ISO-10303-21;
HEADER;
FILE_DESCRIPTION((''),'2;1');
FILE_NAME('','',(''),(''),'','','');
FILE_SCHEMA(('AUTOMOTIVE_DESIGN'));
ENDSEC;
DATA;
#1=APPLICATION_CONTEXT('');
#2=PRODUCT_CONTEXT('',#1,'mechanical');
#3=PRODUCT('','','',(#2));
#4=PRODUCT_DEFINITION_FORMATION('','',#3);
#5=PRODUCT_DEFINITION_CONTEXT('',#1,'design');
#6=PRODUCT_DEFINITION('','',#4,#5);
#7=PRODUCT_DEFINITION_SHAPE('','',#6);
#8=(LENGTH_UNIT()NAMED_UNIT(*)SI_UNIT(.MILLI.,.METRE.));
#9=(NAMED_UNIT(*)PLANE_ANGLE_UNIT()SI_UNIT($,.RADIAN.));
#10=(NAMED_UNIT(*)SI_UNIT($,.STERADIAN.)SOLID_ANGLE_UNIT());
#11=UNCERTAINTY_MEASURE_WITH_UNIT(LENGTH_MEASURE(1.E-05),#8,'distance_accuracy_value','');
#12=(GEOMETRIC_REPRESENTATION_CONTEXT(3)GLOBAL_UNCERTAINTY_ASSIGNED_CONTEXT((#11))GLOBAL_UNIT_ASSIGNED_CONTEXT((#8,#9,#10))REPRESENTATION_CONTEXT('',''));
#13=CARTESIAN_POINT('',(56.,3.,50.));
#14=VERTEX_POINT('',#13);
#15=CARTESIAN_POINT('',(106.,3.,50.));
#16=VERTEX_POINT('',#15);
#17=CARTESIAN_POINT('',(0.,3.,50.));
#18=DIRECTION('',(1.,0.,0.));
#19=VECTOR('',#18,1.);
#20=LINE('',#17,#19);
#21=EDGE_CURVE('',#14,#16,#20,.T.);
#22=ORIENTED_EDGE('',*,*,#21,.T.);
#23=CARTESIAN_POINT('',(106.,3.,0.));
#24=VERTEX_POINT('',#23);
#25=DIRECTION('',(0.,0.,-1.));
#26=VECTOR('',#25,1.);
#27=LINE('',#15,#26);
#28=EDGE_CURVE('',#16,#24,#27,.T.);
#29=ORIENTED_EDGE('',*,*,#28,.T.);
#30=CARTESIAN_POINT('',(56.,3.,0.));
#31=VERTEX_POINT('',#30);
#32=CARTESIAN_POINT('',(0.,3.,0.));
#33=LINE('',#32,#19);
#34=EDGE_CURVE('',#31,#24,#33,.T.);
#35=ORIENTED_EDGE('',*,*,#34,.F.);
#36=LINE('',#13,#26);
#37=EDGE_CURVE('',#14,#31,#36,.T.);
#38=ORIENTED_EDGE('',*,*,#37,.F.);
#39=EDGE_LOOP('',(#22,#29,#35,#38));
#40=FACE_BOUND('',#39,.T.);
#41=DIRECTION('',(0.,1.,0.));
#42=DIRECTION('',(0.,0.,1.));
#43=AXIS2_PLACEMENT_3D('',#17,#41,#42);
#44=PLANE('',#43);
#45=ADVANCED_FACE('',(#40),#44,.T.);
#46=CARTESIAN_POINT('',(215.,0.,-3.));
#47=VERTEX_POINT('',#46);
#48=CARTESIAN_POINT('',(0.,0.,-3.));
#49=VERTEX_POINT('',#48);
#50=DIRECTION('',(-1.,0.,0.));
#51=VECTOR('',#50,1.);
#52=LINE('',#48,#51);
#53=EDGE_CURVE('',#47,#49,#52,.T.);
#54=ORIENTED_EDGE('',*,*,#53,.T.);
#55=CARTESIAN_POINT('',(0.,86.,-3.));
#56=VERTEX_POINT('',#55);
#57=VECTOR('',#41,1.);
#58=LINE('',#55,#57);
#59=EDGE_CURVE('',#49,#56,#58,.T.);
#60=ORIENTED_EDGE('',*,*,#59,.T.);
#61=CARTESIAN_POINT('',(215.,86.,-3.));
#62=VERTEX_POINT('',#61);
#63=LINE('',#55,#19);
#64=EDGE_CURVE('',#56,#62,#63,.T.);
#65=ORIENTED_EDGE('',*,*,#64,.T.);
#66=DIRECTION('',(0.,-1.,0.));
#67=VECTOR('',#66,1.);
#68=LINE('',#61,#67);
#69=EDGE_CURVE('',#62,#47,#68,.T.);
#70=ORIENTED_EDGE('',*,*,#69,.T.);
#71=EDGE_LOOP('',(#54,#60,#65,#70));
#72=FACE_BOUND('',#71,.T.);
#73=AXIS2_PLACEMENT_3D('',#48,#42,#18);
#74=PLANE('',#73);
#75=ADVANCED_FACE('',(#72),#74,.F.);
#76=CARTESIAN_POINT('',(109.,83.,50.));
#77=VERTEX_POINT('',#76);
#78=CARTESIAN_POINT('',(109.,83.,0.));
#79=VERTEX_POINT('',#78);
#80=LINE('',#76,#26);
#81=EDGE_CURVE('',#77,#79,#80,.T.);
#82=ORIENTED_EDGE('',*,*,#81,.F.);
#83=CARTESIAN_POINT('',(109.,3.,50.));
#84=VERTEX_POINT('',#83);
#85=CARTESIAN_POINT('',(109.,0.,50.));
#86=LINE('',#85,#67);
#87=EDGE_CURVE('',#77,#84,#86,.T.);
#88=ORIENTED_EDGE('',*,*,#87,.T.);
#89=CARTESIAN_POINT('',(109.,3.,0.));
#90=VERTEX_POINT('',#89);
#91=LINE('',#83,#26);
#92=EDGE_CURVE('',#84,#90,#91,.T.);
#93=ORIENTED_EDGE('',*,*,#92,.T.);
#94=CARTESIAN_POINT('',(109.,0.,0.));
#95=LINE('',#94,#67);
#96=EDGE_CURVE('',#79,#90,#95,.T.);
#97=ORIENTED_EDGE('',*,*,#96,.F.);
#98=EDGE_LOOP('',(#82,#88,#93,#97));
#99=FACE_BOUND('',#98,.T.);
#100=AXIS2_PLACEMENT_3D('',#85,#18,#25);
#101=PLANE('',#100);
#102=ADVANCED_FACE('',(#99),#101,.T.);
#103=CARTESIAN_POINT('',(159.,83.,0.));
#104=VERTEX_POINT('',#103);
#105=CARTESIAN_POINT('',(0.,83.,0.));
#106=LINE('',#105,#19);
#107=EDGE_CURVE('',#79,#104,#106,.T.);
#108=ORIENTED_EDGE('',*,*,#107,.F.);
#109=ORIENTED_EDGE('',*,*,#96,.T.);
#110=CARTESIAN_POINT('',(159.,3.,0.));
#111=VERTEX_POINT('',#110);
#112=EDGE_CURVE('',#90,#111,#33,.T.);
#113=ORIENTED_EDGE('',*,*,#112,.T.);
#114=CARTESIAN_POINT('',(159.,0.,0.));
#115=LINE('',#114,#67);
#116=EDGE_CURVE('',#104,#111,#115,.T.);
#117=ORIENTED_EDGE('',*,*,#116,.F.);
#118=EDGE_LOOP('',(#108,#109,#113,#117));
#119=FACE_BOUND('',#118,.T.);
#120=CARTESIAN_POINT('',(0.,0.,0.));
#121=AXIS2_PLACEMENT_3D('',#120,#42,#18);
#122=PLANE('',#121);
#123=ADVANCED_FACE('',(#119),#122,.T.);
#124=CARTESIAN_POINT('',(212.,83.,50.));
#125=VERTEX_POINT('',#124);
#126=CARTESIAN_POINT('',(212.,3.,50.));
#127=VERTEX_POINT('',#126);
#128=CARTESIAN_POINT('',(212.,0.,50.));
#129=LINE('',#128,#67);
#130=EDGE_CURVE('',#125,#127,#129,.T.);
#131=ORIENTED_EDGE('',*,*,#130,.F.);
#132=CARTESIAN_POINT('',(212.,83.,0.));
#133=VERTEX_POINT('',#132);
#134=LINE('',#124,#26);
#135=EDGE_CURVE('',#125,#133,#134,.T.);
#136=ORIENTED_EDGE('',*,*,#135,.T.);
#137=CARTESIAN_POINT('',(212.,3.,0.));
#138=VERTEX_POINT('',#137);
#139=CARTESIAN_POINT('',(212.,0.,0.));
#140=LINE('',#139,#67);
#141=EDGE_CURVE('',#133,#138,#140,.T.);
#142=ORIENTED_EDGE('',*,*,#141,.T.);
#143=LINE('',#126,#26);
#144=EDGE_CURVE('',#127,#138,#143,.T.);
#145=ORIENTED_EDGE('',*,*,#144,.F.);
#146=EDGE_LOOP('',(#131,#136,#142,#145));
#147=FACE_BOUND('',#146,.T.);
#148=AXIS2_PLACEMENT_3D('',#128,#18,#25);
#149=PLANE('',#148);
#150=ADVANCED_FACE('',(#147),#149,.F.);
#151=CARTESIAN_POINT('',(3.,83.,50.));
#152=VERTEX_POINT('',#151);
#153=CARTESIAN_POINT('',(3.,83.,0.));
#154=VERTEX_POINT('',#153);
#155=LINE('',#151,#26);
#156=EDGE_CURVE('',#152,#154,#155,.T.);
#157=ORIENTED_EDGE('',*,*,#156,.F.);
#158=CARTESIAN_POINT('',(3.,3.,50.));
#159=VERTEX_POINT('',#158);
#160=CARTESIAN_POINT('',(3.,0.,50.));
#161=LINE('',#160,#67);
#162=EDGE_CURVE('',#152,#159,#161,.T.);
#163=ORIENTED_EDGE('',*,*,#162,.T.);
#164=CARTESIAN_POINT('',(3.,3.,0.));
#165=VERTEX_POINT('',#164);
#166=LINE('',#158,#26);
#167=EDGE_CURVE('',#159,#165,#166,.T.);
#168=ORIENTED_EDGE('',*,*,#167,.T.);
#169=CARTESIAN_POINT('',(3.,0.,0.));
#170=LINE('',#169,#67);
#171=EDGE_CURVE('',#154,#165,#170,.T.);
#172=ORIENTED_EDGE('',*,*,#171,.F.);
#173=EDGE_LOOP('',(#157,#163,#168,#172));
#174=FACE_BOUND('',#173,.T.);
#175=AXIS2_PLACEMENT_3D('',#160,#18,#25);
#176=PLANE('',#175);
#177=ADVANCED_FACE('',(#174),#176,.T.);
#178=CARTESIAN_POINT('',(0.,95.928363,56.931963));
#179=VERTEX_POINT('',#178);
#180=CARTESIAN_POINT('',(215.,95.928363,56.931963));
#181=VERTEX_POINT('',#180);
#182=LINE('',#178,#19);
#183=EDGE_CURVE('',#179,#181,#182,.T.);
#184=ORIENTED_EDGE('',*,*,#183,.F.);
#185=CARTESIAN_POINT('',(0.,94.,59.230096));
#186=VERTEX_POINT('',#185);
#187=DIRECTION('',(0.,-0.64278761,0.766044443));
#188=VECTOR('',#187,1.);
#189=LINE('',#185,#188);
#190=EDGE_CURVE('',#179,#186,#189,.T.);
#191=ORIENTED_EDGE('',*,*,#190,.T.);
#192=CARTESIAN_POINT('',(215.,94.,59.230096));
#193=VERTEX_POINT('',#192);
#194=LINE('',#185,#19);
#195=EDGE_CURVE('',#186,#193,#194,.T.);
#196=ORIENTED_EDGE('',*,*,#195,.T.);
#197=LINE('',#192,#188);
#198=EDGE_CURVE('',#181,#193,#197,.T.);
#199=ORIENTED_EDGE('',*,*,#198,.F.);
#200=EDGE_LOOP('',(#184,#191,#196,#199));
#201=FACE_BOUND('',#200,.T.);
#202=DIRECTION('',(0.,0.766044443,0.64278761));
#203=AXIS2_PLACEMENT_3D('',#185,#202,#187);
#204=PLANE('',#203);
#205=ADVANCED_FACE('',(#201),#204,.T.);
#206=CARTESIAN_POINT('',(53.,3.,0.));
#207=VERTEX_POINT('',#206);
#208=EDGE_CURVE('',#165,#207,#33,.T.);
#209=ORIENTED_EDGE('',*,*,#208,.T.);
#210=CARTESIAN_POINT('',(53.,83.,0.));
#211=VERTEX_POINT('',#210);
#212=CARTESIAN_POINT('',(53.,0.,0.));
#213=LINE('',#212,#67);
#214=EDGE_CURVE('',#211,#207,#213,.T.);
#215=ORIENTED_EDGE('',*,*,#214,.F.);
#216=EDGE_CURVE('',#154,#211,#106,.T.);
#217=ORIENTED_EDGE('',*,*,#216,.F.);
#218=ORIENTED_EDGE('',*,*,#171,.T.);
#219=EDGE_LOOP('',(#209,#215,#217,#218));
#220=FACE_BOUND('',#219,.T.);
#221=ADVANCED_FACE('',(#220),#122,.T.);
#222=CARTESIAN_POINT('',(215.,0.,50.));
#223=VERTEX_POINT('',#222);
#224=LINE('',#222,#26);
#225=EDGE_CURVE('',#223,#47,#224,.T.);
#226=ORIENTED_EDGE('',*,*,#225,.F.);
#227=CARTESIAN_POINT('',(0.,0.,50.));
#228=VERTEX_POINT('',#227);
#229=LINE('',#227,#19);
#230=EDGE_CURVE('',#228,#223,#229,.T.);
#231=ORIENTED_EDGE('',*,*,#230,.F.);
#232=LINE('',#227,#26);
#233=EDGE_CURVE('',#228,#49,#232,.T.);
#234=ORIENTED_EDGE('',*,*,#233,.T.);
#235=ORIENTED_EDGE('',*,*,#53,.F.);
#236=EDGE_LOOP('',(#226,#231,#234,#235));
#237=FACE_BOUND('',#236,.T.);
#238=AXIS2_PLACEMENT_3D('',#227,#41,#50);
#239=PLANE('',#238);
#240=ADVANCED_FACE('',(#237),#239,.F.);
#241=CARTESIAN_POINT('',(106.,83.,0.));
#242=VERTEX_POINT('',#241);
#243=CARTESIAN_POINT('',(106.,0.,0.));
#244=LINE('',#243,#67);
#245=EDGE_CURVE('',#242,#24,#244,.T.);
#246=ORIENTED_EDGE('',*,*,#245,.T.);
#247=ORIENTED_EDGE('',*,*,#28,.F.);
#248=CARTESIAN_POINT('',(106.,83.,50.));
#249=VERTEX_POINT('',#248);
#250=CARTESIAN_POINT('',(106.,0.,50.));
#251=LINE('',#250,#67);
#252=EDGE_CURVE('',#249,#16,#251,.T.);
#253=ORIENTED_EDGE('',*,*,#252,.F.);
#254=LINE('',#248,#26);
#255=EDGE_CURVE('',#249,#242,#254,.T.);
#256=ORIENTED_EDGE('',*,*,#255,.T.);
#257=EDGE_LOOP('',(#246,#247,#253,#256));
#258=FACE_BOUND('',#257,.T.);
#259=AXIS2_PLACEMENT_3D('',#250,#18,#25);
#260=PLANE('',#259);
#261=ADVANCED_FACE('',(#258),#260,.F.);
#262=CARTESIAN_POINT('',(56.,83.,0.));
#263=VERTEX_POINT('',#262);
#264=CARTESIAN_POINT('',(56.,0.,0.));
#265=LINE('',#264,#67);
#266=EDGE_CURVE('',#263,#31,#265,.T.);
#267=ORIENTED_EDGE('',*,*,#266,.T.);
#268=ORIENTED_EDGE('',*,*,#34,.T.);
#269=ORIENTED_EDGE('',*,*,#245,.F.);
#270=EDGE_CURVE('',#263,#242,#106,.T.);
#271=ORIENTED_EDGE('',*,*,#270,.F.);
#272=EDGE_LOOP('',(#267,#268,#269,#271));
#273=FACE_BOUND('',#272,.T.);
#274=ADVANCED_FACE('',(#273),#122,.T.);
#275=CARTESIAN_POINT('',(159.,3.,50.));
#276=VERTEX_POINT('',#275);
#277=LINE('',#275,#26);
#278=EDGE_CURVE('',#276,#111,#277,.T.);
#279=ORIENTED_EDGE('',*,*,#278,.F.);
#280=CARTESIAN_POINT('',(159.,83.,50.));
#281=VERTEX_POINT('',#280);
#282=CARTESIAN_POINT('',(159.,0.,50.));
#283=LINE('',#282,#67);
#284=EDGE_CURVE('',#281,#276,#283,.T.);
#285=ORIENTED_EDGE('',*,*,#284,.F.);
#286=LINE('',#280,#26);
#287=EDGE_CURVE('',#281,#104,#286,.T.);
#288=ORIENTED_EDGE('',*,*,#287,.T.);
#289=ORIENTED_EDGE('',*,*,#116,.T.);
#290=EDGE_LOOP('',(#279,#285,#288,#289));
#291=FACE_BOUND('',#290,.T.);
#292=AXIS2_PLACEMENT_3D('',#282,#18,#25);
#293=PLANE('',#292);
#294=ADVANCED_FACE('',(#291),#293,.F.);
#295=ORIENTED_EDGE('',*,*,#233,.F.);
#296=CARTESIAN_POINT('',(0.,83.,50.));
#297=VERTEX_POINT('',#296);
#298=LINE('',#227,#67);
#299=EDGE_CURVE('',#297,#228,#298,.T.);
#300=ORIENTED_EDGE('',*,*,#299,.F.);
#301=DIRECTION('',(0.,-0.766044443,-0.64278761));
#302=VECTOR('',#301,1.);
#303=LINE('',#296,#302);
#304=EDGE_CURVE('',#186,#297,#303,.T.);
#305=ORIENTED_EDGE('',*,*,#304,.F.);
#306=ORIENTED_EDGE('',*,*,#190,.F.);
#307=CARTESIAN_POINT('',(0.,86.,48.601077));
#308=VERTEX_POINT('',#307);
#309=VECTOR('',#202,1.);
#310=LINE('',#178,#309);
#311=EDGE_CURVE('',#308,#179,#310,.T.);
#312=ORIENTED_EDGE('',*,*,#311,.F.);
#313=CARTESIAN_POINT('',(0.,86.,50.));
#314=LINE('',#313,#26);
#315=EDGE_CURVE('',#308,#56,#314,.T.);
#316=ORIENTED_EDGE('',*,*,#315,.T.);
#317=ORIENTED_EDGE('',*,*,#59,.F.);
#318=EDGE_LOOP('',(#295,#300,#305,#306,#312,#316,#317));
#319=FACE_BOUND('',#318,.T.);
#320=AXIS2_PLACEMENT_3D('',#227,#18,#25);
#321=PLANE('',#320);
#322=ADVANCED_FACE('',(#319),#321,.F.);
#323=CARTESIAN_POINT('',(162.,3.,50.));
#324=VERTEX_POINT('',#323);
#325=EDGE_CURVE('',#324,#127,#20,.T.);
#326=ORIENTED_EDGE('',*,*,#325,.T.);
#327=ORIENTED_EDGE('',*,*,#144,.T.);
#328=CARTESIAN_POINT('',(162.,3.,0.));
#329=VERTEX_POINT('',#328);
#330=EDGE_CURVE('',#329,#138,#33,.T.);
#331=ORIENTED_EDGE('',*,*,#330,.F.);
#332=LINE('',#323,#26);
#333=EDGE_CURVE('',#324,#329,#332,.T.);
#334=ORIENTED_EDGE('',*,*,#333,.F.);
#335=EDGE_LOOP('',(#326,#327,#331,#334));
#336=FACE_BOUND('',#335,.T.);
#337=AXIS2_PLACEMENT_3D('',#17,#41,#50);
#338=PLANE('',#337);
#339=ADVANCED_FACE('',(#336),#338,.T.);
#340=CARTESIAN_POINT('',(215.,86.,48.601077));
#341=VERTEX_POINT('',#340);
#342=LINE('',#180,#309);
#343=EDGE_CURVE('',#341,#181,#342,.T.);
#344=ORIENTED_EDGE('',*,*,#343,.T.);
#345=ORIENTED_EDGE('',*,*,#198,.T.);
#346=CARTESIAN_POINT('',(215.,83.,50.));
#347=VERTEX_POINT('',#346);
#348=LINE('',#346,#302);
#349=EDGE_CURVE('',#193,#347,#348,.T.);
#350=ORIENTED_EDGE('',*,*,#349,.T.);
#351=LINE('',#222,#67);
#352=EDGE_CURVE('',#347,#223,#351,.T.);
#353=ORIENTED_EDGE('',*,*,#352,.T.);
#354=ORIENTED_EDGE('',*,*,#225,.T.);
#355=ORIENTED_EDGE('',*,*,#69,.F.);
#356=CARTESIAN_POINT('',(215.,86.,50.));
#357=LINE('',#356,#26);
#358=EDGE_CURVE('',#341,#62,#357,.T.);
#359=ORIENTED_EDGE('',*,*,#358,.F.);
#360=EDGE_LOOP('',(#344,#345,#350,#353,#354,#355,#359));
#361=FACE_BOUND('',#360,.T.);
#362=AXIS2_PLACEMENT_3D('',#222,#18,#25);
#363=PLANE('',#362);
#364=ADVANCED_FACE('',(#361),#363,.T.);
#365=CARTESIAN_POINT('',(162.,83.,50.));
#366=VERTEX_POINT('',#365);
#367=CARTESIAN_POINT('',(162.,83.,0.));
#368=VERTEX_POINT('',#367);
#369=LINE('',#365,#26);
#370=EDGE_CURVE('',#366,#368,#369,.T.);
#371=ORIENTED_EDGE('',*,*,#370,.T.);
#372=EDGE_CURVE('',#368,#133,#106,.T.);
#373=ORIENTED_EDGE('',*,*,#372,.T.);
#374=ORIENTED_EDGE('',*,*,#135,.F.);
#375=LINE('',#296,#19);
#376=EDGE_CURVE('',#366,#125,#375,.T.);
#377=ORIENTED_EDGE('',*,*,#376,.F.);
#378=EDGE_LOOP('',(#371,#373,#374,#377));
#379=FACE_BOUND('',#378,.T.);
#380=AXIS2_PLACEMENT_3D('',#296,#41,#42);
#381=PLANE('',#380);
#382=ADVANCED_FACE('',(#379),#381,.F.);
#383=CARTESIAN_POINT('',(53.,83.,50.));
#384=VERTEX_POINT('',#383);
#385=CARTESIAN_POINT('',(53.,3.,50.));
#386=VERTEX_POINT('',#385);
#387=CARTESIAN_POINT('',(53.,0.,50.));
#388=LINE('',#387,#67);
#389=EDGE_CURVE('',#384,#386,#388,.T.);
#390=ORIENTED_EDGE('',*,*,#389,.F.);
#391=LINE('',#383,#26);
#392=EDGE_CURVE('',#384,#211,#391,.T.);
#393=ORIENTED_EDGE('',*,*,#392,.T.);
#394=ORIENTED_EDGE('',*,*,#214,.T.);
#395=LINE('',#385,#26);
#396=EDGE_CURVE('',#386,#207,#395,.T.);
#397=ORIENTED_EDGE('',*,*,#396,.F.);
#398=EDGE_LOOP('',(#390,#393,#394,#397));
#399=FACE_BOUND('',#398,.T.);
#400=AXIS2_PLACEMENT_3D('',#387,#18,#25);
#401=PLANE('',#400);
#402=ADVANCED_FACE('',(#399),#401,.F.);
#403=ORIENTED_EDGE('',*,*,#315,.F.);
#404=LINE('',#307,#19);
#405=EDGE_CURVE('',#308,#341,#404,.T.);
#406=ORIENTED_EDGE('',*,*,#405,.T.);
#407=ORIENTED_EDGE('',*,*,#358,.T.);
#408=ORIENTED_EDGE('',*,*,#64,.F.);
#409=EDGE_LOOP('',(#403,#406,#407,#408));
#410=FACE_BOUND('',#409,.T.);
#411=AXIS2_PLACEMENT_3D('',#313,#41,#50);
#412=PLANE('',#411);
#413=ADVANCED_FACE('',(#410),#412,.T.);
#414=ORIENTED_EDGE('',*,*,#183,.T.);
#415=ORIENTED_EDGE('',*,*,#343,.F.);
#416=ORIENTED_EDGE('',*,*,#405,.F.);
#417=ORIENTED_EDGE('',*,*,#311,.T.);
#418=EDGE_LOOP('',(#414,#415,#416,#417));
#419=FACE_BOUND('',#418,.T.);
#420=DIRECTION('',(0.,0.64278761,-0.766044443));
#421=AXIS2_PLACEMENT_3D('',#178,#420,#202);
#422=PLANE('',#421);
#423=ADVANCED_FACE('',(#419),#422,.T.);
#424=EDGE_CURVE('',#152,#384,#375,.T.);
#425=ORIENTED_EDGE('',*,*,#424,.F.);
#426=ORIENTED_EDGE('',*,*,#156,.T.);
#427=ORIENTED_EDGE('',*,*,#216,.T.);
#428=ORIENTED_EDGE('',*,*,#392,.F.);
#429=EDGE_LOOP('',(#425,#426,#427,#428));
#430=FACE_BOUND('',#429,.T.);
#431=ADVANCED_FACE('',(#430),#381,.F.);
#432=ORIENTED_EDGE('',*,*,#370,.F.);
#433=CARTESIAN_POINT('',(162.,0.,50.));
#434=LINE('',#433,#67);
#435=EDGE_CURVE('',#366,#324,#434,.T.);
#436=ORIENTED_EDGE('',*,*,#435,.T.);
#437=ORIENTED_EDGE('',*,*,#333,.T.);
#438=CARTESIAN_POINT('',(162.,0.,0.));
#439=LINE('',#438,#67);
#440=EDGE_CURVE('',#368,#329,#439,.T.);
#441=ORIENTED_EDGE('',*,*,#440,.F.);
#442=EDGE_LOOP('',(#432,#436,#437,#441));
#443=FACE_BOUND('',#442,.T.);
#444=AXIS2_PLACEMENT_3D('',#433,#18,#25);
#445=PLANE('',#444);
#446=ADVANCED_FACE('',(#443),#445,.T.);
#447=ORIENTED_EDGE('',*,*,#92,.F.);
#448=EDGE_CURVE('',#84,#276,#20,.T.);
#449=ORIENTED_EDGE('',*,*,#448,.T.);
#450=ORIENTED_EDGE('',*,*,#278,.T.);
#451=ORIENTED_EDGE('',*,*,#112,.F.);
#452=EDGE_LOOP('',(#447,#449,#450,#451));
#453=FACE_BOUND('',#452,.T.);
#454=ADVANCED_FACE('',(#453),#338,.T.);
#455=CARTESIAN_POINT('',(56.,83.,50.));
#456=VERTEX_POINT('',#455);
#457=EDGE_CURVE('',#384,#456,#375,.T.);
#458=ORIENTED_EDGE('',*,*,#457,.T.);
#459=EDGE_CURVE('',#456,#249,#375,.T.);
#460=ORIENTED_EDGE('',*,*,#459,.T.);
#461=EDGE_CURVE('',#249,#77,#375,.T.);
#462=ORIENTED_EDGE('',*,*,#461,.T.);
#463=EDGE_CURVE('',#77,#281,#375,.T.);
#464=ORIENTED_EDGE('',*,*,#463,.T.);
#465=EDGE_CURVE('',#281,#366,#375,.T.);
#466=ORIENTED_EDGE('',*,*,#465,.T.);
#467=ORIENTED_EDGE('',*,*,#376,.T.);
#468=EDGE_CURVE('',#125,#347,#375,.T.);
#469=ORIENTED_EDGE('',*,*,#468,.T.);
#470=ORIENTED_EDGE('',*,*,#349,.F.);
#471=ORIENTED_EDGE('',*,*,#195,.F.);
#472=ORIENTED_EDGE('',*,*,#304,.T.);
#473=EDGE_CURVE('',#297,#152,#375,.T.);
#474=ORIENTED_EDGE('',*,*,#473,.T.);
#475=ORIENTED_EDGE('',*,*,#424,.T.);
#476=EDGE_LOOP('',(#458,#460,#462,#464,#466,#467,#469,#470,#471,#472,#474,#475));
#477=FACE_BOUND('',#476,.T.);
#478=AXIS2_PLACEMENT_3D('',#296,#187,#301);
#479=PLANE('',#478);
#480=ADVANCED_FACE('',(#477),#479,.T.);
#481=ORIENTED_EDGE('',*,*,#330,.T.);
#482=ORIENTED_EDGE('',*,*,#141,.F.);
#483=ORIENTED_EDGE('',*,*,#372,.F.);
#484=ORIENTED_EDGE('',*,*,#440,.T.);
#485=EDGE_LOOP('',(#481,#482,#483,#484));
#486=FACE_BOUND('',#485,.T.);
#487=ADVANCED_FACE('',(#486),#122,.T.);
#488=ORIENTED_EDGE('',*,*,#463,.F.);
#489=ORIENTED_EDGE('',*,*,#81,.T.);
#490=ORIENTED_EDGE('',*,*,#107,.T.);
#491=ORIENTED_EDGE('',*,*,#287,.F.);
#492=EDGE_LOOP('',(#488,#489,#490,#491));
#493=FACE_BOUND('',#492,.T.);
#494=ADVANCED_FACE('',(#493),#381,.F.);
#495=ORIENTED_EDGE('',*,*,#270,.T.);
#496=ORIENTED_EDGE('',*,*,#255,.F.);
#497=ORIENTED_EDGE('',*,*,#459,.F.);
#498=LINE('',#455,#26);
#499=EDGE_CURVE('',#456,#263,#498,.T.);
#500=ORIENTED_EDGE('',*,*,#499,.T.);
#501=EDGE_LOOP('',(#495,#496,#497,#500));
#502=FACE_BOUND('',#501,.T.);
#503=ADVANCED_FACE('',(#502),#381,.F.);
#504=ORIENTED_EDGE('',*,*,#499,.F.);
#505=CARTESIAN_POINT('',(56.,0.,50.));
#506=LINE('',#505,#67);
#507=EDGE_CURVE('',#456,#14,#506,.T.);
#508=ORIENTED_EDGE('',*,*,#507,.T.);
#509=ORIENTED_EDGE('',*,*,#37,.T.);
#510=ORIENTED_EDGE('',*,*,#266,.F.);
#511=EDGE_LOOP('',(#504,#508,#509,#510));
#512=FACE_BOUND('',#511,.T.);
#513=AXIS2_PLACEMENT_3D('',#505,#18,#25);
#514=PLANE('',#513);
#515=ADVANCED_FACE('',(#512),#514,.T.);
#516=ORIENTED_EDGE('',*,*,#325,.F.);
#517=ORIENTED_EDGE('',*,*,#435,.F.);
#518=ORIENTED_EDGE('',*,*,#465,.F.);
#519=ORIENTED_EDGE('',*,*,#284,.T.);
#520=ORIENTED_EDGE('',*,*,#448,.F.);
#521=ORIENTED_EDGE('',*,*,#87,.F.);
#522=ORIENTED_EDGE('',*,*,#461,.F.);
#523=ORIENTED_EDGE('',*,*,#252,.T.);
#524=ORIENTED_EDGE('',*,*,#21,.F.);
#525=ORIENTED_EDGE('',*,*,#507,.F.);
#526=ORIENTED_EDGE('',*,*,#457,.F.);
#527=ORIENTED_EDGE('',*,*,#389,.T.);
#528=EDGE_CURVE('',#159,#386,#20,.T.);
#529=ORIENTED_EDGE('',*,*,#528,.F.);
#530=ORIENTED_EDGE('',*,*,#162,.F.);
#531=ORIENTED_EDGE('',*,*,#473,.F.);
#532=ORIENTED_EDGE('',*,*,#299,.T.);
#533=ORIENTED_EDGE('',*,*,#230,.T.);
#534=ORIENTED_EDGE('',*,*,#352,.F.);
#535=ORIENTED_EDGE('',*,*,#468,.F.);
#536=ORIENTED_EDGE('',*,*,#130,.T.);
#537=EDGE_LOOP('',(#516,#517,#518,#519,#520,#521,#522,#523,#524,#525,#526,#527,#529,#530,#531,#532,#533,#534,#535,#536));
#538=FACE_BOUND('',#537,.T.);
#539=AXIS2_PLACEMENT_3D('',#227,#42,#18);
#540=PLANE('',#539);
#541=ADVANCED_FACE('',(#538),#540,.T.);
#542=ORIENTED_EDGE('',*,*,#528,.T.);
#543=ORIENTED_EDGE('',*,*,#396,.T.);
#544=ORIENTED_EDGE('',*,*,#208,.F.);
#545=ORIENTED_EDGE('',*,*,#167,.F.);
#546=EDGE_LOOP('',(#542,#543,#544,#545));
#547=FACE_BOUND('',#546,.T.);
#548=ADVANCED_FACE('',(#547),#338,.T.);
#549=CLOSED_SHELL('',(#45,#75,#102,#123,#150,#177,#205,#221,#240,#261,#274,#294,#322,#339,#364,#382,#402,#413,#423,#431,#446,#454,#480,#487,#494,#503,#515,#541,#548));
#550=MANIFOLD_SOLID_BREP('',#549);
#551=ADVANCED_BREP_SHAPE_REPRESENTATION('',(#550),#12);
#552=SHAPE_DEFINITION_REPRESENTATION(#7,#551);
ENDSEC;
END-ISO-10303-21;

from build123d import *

# Parameters (mm, degrees)
ESBO_O1_W                = 50
ESBO_O1_H                = 80
RESSALTO_EXTRUS_O1_DEPTH = 50
ESBO_O2_W                = 215
ESBO_O2_H                = 86
RESSALTO_EXTRUS_O2_DEPTH = 3
RESSALTO_EXTRUS_O3_DEPTH = 215


with BuildPart() as part:
    # Esboço1 → Ressalto-extrusão1 (new body)
    # profile 1 of 2: a face of its own
    with BuildSketch(Plane.XY):
        Polygon((53, 86), (0, 86), (0, 0), (53, 0), (56, 0), (56, 3), (56, 83), (56, 86), align=None)
        with Locations((28, 43)):
            Rectangle(ESBO_O1_W, ESBO_O1_H, mode=Mode.SUBTRACT)
    # profile 2 of 2: a face of its own
    with BuildSketch(Plane.XY):
        Polygon((215, 86), (56, 86), (56, 83), (106, 83), (106, 3), (56, 3), (56, 0), (215, 0), (215, 3), (215, 83), align=None)
        with Locations((134, 43)):
            Rectangle(ESBO_O1_W, ESBO_O1_H, mode=Mode.SUBTRACT)
        with Locations((187, 43)):
            Rectangle(ESBO_O1_W, ESBO_O1_H, mode=Mode.SUBTRACT)
    extrude(amount=RESSALTO_EXTRUS_O1_DEPTH)

    # Esboço2 → Ressalto-extrusão2 (add)
    with BuildSketch(Plane(origin=(0, 0, 0), x_dir=(-1, 0, 0), z_dir=(0, 0, -1))):
        with Locations((-107.5, 43)):
            Rectangle(ESBO_O2_W, ESBO_O2_H)
    extrude(amount=RESSALTO_EXTRUS_O2_DEPTH)

    # Esboço4 → Ressalto-extrusão3 (add)
    with BuildSketch(Plane(origin=(215, 0, 0), x_dir=(0, 0, -1), z_dir=(1, 0, 0))):
        Polygon((-59.230095943, 94), (-56.931962614, 95.928362829), (-48.601077026, 86), (-50, 86), (-50, 83), align=None)
    extrude(amount=-RESSALTO_EXTRUS_O3_DEPTH)


solid = part.part
